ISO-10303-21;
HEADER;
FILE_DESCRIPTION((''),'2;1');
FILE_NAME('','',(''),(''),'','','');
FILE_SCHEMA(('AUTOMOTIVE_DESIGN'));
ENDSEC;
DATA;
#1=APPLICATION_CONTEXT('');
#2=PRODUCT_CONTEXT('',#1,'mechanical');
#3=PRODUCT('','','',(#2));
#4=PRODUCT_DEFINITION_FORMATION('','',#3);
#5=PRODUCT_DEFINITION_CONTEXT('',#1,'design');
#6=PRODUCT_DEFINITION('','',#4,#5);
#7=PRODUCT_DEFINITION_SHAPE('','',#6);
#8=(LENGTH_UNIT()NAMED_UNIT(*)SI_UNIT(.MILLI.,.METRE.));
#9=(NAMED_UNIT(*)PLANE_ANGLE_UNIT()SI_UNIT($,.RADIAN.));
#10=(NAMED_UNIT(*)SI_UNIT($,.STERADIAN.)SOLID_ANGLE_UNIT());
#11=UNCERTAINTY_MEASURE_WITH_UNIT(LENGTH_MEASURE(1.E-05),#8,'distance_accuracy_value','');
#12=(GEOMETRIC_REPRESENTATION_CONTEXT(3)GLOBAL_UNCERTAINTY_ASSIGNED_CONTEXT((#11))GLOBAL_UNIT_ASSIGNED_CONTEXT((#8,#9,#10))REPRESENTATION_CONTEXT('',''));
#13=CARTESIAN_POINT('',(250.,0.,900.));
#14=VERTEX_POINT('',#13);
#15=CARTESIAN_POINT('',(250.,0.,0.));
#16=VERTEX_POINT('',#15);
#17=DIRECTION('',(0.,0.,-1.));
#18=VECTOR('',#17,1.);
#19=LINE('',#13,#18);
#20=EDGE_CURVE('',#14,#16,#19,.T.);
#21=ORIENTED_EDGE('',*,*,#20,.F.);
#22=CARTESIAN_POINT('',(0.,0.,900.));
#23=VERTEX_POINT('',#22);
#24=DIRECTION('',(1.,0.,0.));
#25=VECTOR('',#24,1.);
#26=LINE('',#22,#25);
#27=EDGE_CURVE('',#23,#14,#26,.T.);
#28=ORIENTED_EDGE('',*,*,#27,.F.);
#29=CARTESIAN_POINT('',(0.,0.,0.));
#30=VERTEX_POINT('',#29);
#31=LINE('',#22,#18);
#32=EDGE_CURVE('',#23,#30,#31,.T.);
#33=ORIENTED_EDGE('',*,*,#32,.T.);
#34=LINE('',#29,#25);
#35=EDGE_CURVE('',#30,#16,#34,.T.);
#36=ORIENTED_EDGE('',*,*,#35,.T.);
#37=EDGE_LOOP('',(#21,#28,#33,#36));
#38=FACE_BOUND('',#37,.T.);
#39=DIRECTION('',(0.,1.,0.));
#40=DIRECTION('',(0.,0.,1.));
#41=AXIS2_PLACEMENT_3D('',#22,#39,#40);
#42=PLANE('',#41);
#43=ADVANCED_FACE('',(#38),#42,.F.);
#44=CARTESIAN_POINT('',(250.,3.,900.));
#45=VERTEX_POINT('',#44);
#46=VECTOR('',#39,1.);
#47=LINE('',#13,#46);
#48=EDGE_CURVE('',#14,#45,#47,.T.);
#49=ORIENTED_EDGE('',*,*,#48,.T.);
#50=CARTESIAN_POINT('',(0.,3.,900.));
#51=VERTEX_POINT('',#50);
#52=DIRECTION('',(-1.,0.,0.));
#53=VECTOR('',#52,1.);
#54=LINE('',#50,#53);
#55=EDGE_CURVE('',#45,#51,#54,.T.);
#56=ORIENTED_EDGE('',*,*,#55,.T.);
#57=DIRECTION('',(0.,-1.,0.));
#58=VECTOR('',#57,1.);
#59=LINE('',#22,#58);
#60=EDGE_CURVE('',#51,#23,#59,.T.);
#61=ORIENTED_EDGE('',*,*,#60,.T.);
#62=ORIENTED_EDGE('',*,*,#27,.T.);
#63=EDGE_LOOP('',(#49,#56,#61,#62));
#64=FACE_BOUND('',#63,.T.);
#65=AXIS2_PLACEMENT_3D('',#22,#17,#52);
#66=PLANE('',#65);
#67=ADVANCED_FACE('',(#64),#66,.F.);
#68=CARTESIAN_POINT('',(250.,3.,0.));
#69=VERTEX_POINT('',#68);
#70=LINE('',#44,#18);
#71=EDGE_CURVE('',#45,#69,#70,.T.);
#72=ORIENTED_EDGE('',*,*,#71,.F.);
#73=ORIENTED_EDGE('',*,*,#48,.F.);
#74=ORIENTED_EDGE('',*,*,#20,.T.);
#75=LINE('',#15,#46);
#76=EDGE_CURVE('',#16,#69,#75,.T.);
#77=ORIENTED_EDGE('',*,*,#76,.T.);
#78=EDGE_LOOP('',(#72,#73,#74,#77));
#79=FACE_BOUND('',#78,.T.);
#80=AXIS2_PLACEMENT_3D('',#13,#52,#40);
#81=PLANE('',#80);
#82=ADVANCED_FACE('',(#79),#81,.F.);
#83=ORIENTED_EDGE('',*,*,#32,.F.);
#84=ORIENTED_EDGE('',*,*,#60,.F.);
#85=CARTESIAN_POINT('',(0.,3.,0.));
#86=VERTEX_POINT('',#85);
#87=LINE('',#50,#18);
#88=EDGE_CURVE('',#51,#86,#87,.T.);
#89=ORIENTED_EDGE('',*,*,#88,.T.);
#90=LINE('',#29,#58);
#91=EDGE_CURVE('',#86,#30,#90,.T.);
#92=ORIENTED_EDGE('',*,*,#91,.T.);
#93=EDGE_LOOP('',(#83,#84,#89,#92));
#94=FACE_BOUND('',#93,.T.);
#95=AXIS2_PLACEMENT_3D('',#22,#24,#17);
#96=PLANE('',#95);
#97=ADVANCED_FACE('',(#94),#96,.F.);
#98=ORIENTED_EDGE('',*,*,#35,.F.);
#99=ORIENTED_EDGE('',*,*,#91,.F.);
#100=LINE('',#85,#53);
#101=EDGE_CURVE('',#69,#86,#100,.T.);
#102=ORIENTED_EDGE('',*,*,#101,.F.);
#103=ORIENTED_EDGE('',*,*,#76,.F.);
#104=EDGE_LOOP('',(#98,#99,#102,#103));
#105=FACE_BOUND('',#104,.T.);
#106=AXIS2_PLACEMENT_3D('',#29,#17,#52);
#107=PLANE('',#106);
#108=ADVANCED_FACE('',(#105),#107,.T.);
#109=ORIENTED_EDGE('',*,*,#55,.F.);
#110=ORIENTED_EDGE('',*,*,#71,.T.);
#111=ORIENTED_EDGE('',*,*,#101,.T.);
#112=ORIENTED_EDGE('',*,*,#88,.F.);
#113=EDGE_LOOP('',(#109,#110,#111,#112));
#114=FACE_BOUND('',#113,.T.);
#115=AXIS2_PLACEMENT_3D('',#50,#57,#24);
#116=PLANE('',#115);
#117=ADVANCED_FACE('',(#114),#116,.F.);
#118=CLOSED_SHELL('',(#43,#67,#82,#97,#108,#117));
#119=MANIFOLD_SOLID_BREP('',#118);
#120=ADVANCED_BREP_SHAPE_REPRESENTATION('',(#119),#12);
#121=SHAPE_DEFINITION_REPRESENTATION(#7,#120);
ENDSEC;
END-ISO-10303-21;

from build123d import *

# Parameters (mm, degrees)
SKETCH_1_W      = 250
SKETCH_1_H      = 3
EXTRUDE_1_DEPTH = 900


with BuildPart() as part:
    # 스케치1 → 보스-돌출1 (new body)
    with BuildSketch(Plane.XY):
        with Locations((125, 1.5)):
            Rectangle(SKETCH_1_W, SKETCH_1_H)
    extrude(amount=EXTRUDE_1_DEPTH)


solid = part.part
